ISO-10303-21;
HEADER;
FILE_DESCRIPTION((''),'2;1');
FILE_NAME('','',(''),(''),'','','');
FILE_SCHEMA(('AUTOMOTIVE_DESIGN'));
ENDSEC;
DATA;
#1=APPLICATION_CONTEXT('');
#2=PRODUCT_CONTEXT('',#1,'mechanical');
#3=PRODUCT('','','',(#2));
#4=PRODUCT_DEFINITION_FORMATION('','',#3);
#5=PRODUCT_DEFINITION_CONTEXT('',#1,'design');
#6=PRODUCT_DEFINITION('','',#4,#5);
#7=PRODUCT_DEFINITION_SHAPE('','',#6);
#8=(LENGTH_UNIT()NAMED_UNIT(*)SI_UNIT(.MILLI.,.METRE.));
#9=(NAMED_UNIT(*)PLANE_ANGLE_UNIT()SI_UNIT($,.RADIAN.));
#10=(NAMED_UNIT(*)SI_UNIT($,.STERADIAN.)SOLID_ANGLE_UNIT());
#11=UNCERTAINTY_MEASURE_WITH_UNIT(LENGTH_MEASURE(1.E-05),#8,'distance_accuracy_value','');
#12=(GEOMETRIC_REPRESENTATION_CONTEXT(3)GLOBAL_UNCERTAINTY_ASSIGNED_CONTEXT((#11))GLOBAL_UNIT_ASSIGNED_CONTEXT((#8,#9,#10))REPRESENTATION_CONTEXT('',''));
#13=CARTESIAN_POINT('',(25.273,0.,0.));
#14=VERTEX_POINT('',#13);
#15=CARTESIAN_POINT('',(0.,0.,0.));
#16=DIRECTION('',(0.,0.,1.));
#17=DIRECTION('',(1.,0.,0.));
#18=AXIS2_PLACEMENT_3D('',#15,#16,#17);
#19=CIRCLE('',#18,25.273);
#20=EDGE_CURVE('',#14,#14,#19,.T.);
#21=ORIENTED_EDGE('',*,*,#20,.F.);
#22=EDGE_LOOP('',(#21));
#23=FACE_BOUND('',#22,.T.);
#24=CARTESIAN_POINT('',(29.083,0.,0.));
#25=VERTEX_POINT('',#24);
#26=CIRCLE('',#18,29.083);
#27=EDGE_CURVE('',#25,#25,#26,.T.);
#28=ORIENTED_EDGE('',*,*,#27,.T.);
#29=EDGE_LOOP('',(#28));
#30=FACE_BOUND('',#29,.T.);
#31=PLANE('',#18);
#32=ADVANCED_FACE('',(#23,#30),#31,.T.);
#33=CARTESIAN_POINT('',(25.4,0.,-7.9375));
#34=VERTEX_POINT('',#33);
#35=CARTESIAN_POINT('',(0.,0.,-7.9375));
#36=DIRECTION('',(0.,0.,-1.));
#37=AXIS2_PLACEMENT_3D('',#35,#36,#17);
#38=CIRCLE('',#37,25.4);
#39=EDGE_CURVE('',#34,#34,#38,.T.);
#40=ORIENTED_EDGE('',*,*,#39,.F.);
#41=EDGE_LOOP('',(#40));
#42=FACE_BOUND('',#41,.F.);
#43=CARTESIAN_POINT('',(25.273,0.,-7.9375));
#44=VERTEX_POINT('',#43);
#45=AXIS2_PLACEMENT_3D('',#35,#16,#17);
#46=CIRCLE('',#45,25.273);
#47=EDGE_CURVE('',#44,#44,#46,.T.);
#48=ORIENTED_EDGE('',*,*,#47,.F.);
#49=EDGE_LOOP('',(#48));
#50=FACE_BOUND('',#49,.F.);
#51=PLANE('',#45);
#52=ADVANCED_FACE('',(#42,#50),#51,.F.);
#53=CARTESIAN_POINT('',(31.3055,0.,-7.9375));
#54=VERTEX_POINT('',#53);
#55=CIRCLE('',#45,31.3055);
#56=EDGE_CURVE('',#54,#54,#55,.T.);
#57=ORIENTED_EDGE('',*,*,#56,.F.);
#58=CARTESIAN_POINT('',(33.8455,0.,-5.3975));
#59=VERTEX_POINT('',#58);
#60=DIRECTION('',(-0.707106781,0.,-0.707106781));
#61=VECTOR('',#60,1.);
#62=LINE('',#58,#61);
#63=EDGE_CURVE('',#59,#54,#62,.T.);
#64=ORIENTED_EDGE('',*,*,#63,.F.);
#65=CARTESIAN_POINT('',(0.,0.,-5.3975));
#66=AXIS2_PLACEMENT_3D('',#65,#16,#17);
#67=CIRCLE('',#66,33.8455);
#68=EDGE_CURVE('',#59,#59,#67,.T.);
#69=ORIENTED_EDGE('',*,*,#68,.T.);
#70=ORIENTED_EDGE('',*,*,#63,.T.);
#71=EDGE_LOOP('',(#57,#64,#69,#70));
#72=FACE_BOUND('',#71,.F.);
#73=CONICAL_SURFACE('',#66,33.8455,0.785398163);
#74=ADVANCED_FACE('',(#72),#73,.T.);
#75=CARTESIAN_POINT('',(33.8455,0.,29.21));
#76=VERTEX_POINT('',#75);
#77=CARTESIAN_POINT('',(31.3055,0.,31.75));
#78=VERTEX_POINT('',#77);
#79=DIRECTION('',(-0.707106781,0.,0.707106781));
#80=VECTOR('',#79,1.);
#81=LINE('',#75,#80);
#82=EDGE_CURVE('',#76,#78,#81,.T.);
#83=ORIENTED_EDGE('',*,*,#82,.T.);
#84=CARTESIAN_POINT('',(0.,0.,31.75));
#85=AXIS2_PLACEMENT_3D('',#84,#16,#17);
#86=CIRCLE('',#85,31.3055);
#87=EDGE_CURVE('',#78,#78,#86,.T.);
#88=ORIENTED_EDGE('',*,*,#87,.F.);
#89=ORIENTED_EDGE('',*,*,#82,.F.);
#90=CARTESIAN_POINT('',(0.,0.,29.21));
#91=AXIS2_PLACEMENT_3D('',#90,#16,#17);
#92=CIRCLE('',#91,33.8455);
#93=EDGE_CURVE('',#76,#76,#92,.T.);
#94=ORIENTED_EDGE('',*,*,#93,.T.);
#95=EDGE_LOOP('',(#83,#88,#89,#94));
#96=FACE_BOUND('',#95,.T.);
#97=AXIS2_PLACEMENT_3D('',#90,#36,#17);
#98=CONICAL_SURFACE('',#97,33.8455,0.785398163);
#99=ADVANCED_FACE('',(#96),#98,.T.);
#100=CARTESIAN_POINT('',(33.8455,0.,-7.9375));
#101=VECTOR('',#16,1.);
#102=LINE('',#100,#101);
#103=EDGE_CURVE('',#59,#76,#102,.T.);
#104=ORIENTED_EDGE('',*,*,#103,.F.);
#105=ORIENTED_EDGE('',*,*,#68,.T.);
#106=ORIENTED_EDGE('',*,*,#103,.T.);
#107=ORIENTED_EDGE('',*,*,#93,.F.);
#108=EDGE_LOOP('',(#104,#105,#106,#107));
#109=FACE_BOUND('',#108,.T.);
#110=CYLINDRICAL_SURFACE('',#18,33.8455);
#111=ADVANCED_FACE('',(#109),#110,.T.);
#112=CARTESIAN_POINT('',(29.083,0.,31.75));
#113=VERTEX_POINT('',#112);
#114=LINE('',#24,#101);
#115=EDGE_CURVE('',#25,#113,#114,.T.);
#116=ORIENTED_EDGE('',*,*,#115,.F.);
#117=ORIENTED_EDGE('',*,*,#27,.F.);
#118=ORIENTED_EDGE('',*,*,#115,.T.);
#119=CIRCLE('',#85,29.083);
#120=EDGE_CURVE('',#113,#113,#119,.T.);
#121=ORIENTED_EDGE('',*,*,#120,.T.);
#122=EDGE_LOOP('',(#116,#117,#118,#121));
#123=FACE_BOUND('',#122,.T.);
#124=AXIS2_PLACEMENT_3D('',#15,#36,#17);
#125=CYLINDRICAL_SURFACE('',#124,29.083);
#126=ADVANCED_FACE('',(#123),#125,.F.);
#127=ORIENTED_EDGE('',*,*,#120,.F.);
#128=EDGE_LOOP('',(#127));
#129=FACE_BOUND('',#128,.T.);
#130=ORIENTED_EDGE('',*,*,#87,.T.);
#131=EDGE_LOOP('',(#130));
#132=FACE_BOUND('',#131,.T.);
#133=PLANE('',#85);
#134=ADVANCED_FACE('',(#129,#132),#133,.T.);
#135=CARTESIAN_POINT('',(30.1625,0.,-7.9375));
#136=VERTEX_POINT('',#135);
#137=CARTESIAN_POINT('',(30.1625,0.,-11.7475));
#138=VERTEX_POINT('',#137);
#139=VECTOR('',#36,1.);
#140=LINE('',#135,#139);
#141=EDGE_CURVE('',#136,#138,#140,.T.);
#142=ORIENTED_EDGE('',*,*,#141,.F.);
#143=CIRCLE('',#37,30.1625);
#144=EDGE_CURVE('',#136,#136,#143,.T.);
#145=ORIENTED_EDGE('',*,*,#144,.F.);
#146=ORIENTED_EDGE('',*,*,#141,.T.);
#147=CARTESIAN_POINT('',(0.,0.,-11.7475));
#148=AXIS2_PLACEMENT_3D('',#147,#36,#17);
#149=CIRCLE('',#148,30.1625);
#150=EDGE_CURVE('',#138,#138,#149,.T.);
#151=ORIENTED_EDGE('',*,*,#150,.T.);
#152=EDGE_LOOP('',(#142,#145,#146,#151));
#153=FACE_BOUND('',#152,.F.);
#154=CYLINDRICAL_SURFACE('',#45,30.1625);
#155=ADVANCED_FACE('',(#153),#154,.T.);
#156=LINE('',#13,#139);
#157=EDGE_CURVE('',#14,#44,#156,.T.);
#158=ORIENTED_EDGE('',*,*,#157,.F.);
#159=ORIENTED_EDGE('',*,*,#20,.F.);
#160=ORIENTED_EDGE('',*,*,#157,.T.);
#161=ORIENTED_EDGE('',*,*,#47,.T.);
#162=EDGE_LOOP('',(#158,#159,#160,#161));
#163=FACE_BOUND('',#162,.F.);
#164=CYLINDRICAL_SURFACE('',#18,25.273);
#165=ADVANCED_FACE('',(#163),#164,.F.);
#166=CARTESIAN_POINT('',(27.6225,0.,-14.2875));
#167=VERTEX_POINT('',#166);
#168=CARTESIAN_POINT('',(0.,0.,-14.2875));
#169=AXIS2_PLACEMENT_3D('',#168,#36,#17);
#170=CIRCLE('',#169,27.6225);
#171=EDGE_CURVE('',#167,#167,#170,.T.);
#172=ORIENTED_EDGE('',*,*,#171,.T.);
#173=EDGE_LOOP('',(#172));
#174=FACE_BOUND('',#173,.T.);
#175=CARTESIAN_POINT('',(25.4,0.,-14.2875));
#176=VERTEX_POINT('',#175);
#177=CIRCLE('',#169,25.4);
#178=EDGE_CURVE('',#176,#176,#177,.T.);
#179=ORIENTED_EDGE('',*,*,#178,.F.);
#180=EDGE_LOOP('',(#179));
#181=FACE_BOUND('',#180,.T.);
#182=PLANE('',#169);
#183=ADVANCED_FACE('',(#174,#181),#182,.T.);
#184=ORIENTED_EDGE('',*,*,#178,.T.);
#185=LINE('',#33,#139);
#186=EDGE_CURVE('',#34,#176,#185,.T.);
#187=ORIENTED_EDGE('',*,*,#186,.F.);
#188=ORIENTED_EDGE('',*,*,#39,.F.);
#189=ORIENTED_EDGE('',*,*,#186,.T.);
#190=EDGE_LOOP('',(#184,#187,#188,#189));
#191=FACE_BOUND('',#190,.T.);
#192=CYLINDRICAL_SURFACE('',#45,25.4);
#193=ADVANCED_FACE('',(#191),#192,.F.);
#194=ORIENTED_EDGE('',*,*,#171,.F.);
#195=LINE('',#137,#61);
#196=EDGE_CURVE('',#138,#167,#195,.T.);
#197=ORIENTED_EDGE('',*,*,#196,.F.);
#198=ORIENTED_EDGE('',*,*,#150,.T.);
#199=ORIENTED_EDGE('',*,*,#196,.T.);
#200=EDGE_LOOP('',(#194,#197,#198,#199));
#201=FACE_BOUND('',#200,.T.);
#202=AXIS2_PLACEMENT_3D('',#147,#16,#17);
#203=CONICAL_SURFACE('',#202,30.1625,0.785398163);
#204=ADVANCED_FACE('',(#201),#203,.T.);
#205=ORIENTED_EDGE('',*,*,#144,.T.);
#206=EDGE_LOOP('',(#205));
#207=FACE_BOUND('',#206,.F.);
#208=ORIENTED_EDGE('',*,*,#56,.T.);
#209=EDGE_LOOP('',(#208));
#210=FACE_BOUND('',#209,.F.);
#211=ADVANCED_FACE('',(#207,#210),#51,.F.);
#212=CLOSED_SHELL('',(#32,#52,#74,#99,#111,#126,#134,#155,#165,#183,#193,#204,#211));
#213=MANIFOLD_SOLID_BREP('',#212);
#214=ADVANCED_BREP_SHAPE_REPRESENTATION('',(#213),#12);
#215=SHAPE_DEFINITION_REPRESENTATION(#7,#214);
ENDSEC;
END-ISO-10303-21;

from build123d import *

# Parameters (mm, degrees)
F0_R     = 33.8455
F0_R_2   = 29.083
F1_DEPTH = 31.75
F0_R_3   = 25.273
F2_DEPTH = 7.9375
F3_R     = 30.1625
F3_R_2   = 25.4
F4_DEPTH = 6.35
F5_SIZE  = 2.54


with BuildPart() as f1:
    # F0 (on Top) → F1 (new body)
    with BuildSketch(Plane.XY):
        Circle(F0_R)
        Circle(F0_R_2, mode=Mode.SUBTRACT)
    extrude(amount=F1_DEPTH)

    # F0 (on Top) → F2 (join)
    with BuildSketch(Plane.XY):
        Circle(F0_R)
        Circle(F0_R_2, mode=Mode.SUBTRACT)
        Circle(F0_R_2)
        Circle(F0_R_3, mode=Mode.SUBTRACT)
    extrude(amount=-F2_DEPTH)

    # F3 (on face) → F4 (join)
    with BuildSketch(Plane(origin=(0, 0, -7.9375), x_dir=(1, 0, 0), z_dir=(0, 0, -1))):
        Circle(F3_R)
        Circle(F3_R_2, mode=Mode.SUBTRACT)
    extrude(amount=F4_DEPTH)

    # F5
    f5_edges = [f1.edges().sort_by_distance(p)[0] for p in [
        (-33.8455, 0, 31.75),
        (-33.8455, 0, -7.9375),
        (-30.1625, 0, -14.2875),
    ]]
    chamfer(f5_edges, length=F5_SIZE)


solid = f1.part
